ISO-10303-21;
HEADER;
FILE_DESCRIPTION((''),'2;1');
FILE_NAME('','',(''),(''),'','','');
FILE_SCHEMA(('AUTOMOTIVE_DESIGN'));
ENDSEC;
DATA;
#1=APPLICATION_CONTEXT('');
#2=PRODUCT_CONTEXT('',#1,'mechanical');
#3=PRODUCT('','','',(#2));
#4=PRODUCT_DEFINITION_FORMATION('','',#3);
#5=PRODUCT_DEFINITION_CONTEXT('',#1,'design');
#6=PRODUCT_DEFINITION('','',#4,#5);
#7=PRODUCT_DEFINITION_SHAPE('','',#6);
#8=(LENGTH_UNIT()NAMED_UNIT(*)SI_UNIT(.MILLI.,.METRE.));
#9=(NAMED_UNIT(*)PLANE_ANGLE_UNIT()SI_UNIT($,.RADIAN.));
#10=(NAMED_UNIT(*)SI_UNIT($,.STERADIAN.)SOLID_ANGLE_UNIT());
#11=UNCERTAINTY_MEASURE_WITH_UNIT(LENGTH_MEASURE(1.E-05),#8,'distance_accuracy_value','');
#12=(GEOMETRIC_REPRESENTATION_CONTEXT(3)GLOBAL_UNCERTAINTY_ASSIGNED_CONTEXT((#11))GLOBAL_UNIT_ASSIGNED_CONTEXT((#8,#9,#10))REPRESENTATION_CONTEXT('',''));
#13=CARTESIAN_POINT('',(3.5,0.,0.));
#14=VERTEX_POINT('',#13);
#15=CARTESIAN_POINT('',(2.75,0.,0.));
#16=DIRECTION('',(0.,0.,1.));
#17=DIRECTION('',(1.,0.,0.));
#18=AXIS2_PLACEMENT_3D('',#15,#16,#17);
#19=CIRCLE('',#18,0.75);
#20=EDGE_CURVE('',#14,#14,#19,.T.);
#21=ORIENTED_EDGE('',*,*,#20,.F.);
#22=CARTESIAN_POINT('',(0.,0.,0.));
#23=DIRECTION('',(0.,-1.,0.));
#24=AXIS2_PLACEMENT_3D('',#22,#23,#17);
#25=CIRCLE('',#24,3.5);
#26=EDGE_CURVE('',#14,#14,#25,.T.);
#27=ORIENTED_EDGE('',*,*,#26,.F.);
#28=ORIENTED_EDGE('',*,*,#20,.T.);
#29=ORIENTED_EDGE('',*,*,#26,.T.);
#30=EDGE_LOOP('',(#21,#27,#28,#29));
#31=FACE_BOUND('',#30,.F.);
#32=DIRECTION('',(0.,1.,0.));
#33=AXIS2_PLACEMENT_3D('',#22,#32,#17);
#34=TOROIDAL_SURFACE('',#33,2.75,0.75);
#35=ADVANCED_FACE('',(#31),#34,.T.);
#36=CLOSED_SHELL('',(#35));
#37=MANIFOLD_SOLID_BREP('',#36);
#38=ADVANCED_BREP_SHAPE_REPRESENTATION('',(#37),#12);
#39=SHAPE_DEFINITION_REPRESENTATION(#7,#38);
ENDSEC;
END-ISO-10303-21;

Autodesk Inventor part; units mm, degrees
ref_plane "YZ Plane" through (0, 0, 0) normal (1, 0, 0) x (0, 1, 0)
ref_plane "XZ Plane" through (0, 0, 0) normal (0, 1, 0) x (-1, 0, 0)
ref_plane "XY Plane" through (0, 0, 0) normal (0, 0, 1) x (1, 0, 0)
sketch "Sketch1" plane through (0, 0, 0) normal (0, 0, 1) x (1, 0, 0)
  line L0 (0, 1.1669) -> (0, 0) construction
  line L1 (0, 0) -> (2.75, 0) construction
  circle A0 centre (2.75, 0) radius 0.75
  line L2 (2, 0.4543) -> (2, -0.4265) construction
  dimension "d0" = 1.5
  dimension "d1" = 2
revolve "Revolution1" add sketch "Sketch1" angle 360 about axis through (0, 1.1669, 0) along (0, -1, 0)
properties part number "oring_5x7"
